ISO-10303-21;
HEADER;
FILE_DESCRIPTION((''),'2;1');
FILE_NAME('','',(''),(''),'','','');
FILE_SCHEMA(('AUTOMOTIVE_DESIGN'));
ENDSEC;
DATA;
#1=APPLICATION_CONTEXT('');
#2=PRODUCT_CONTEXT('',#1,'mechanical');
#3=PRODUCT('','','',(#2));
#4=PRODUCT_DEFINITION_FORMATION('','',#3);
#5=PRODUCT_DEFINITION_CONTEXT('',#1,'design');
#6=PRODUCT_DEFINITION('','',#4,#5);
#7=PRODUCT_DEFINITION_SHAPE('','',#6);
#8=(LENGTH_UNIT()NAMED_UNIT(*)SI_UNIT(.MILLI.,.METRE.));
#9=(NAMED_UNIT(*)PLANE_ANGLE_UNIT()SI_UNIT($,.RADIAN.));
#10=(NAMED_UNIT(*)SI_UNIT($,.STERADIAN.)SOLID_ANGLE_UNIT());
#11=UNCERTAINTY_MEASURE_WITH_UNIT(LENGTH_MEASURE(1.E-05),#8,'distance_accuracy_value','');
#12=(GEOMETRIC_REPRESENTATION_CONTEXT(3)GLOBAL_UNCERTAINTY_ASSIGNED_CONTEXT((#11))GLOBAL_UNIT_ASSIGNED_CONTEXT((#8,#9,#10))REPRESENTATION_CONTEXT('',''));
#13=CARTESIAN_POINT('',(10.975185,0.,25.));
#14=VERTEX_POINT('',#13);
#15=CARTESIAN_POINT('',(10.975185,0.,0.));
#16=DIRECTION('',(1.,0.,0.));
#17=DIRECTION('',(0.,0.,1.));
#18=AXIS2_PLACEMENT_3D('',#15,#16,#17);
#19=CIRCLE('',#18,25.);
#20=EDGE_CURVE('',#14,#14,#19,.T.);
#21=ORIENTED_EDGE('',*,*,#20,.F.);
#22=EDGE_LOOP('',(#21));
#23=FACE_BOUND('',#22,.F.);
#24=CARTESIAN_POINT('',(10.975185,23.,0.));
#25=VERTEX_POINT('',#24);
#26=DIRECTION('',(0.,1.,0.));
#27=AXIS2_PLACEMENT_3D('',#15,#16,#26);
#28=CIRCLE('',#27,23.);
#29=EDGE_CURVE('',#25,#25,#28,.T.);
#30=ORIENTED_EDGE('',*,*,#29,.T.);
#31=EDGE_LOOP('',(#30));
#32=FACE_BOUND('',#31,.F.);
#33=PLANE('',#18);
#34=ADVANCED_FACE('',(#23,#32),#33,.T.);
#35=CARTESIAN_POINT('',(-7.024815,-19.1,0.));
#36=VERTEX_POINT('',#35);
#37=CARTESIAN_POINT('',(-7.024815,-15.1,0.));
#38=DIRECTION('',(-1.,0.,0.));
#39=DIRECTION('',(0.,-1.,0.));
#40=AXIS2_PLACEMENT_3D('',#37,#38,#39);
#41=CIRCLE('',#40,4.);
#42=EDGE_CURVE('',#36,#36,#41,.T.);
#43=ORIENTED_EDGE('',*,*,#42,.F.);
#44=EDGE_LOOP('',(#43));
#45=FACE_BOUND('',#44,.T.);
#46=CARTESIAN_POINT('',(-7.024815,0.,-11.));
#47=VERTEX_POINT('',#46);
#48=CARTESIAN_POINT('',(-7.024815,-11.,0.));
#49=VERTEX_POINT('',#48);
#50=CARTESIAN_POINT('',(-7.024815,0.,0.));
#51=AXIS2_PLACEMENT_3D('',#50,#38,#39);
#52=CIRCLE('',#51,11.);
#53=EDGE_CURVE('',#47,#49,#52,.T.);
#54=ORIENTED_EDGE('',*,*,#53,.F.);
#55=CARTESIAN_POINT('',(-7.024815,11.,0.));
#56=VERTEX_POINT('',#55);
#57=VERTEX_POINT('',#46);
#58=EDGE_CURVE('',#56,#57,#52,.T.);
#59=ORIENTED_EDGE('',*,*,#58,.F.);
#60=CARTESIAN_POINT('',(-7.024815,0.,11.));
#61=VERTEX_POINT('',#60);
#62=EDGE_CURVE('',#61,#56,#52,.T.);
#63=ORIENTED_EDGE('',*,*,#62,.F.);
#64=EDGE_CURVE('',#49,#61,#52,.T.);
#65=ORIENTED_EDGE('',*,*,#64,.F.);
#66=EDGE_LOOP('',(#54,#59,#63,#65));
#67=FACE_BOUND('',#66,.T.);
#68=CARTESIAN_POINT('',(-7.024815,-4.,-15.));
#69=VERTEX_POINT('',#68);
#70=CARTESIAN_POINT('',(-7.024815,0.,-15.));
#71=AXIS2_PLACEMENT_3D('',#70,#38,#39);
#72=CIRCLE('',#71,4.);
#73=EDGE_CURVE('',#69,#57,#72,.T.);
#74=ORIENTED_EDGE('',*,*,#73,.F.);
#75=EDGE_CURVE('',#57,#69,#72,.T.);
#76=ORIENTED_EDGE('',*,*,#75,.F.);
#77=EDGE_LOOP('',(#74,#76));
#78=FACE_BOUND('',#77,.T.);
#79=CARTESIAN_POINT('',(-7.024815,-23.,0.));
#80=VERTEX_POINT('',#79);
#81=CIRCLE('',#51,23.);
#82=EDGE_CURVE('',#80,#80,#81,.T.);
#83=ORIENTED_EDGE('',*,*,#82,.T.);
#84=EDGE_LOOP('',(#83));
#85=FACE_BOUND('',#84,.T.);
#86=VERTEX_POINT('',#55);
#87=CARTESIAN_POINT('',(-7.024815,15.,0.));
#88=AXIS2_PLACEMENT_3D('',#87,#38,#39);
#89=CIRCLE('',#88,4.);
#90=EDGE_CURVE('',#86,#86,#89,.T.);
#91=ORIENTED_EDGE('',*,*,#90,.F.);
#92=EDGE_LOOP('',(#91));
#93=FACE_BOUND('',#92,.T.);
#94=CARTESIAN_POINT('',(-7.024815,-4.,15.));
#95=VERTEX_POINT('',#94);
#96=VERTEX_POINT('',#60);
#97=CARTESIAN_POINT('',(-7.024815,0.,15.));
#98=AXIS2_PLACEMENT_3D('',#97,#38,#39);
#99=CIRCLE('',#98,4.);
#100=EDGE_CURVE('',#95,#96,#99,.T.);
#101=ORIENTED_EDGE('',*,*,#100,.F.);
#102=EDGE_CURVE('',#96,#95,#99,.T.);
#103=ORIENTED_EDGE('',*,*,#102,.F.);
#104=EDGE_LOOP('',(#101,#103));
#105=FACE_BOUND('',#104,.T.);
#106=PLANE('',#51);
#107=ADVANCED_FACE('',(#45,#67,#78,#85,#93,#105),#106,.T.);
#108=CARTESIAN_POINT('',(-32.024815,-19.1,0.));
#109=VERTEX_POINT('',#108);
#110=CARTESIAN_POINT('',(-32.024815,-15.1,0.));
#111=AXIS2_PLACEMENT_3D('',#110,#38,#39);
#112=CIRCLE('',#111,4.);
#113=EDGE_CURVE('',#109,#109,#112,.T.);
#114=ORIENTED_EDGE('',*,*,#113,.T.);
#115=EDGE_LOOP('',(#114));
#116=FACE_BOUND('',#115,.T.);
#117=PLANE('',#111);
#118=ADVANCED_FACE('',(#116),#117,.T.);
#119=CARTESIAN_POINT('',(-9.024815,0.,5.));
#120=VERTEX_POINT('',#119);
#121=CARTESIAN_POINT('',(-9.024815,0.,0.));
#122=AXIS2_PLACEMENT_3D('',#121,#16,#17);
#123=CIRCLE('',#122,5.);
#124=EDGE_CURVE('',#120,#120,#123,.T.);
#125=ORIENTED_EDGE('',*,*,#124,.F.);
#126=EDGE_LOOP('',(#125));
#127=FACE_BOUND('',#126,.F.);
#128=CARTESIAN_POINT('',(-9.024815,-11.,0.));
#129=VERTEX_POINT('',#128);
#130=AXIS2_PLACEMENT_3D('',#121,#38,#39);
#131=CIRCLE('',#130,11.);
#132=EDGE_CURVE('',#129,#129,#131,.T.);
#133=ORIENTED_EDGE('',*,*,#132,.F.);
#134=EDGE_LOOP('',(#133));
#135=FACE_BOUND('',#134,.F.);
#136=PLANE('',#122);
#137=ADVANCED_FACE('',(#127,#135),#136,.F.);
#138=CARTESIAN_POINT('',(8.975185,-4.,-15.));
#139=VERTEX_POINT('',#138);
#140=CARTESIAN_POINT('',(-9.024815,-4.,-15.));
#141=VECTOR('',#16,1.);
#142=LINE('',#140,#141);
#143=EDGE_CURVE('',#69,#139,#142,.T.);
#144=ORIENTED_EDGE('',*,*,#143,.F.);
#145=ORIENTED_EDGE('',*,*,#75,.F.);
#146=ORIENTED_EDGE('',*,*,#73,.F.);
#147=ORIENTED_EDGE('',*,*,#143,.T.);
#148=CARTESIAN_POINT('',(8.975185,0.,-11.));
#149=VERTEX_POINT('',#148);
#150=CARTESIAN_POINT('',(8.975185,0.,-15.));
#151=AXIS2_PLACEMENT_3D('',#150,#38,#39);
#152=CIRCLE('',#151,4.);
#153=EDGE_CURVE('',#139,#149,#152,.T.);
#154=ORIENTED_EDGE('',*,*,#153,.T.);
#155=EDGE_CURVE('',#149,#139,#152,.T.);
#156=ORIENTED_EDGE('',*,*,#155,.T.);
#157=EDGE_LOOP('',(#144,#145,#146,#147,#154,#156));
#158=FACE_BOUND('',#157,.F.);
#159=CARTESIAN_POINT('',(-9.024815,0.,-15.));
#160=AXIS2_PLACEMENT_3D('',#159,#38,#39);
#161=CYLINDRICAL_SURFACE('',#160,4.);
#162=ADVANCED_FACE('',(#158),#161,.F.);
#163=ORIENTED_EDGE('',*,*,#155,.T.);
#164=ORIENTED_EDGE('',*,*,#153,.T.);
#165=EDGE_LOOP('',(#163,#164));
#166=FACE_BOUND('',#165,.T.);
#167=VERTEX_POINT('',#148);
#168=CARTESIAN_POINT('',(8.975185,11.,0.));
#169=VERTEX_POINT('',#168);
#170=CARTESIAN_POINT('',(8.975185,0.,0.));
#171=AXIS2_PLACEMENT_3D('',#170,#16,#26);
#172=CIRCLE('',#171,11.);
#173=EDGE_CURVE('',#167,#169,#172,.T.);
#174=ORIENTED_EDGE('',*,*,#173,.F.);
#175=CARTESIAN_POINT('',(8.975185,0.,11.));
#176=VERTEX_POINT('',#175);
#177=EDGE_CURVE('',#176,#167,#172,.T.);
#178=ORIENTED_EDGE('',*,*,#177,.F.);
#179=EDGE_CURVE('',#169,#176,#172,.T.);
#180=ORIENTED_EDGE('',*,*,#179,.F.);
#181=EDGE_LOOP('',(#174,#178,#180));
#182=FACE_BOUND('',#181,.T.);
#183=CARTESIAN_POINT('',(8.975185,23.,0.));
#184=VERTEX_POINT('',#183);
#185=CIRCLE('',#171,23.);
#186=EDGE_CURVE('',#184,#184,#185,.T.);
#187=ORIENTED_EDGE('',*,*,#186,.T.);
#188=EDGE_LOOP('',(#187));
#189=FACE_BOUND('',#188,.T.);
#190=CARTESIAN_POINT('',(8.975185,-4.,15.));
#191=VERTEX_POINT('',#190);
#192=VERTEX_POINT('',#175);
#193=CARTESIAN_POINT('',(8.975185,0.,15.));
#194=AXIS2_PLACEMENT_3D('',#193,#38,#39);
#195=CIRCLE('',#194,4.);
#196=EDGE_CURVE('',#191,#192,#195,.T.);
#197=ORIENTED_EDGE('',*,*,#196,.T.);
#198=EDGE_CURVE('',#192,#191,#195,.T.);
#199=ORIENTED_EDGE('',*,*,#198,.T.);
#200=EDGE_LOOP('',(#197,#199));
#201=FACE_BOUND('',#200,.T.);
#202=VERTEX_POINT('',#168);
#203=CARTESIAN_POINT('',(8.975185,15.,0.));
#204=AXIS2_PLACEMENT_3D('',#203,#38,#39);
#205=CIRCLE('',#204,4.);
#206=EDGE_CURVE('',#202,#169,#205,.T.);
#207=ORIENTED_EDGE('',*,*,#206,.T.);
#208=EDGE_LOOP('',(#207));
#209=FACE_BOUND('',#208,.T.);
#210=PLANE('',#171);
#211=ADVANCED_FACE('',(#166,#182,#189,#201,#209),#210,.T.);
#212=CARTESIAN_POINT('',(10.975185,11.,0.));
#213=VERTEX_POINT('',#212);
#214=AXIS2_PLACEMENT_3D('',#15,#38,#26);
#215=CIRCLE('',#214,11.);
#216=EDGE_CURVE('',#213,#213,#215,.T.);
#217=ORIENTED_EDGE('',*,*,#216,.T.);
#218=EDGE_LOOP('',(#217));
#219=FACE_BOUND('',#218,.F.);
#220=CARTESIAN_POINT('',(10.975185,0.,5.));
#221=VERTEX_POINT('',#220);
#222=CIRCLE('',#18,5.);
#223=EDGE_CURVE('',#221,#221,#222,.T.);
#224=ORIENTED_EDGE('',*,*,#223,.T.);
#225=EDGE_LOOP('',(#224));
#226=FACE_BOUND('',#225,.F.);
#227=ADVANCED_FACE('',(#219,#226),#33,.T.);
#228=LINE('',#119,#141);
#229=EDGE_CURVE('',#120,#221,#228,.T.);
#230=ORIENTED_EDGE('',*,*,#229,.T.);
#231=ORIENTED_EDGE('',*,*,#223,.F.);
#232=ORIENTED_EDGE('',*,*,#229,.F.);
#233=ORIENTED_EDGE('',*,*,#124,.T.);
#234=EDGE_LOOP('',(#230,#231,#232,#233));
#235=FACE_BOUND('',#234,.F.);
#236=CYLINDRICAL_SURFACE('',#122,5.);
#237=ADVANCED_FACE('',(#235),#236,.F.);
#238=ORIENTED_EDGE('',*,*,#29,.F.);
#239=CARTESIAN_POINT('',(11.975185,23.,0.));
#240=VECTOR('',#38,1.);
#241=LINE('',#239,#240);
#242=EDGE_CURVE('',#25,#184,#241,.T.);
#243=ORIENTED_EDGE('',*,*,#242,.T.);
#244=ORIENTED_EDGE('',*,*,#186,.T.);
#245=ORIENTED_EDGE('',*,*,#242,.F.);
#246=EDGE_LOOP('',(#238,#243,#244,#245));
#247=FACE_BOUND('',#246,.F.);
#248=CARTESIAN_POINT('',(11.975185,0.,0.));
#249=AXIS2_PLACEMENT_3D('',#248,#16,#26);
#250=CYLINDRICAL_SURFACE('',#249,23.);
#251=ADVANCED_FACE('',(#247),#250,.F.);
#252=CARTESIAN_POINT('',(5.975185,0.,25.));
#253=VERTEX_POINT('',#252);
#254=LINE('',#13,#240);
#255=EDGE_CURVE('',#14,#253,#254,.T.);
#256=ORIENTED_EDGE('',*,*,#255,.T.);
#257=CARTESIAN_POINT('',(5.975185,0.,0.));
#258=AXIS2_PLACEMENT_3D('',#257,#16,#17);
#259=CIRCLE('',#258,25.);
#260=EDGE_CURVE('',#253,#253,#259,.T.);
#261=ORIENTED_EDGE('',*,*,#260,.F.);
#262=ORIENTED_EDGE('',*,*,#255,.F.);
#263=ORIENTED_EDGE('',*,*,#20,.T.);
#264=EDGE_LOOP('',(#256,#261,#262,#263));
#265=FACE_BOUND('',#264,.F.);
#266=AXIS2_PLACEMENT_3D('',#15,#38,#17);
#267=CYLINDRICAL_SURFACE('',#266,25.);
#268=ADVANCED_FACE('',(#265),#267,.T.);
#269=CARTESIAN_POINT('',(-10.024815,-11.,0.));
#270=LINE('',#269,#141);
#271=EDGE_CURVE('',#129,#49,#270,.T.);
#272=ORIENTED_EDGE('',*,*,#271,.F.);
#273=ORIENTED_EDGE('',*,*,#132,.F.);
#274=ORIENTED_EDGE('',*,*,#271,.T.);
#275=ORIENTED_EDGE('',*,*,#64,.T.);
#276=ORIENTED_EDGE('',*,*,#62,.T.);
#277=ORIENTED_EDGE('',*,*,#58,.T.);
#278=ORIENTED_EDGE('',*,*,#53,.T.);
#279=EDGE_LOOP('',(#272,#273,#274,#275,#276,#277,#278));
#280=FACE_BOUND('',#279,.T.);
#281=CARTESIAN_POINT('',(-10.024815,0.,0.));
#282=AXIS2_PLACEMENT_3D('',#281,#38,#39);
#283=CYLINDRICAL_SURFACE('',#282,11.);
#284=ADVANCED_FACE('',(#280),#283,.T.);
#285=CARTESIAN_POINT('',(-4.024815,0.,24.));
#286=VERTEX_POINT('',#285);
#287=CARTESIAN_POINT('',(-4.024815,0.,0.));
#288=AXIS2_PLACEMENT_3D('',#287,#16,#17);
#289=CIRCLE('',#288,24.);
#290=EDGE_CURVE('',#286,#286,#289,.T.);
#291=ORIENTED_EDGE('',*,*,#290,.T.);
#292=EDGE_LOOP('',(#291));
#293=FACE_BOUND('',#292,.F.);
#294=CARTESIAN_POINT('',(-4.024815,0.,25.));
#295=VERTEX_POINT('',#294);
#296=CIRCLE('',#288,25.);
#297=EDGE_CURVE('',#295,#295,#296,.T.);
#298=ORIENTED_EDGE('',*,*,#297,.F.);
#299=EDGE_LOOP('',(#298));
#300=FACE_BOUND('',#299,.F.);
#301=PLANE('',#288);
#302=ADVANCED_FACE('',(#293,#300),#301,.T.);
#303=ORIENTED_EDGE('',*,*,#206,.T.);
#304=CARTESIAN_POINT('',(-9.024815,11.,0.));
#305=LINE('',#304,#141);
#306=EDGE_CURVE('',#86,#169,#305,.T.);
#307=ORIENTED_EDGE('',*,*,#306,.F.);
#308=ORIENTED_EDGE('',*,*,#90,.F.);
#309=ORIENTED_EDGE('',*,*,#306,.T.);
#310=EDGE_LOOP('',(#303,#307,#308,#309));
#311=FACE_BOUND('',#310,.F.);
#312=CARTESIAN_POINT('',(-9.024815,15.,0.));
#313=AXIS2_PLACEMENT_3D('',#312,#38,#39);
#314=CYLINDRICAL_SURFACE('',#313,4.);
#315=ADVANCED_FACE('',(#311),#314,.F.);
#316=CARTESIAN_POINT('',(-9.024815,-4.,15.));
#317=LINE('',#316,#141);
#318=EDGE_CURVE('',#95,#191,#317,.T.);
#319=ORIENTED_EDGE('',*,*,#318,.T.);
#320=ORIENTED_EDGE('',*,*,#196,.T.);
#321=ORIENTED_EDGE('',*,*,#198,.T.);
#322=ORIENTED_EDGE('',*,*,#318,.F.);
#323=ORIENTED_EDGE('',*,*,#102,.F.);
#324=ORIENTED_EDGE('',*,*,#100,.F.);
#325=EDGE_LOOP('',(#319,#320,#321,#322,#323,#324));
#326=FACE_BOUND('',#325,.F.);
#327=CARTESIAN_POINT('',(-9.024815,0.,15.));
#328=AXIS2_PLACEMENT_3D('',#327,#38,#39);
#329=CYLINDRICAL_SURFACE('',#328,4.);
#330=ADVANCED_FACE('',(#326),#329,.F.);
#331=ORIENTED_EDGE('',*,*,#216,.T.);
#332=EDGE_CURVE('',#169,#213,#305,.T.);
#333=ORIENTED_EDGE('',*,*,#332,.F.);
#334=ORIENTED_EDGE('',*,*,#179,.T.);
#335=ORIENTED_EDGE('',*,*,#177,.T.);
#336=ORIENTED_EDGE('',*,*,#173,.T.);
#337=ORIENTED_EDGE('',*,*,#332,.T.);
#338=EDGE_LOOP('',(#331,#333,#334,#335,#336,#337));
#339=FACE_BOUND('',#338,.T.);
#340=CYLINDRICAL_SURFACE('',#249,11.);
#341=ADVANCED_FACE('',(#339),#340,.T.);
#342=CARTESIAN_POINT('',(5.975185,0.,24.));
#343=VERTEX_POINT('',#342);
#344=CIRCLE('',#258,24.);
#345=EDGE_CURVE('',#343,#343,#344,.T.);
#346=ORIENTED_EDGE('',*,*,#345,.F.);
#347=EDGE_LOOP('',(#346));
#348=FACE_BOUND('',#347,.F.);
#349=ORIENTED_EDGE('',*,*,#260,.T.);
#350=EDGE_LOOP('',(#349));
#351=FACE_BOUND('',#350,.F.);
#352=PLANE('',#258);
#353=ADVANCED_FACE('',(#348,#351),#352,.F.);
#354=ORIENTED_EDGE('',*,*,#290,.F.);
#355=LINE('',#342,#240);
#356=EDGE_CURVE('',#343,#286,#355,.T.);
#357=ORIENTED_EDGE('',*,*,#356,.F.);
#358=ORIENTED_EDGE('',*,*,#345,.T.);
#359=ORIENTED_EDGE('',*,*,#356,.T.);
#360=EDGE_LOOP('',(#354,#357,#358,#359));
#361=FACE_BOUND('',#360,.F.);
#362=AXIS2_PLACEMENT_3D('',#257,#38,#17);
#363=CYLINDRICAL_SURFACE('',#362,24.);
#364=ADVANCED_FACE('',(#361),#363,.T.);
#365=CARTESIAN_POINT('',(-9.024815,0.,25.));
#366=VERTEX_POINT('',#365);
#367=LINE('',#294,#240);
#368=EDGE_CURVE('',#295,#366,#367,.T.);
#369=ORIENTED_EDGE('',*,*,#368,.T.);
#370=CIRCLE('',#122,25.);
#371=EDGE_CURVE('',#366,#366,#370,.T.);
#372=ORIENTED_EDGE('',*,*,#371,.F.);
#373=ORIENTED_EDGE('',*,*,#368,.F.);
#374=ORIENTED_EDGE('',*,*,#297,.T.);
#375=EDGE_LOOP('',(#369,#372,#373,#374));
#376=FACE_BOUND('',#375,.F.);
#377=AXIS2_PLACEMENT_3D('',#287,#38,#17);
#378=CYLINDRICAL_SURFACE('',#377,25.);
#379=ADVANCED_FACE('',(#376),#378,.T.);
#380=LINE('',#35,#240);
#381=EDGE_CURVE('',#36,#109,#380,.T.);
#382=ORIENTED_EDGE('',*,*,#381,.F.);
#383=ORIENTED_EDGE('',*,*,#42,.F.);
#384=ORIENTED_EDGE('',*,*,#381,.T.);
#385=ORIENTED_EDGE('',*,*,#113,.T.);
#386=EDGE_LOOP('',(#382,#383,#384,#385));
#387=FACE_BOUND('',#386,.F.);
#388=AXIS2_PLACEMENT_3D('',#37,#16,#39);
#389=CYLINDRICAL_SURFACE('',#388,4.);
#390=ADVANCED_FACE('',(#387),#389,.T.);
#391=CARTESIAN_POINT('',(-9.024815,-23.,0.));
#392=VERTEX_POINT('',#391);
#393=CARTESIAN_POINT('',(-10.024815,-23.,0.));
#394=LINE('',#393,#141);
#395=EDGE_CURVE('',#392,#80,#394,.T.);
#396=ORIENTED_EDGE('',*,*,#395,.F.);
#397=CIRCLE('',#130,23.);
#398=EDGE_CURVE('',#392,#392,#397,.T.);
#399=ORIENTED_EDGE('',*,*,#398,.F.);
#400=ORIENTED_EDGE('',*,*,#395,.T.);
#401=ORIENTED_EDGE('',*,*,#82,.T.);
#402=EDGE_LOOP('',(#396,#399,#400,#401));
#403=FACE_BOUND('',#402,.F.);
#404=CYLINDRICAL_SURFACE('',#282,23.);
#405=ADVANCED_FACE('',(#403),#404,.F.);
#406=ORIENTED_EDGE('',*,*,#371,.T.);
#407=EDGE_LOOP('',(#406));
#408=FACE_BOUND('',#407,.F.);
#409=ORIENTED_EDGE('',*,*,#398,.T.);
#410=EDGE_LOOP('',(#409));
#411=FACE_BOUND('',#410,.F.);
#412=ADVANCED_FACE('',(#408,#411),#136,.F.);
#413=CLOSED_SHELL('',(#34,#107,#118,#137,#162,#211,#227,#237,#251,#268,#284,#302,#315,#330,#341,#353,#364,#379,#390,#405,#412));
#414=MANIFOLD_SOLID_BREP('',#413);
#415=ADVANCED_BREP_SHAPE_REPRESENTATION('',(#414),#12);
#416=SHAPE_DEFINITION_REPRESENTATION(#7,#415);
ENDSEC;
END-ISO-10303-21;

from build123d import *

# Parameters (mm, degrees)
F2_R      = 4
F3_DEPTH  = 20.001
F5_R      = 23
F5_R_2    = 11
F6_DEPTH  = 3
F8_R      = 23
F8_R_2    = 11
F9_DEPTH  = 3
F10_R     = 4
F11_DEPTH = 25


with BuildPart() as f1:
    # F0 (on Front) → F1 (revolve)
    with BuildSketch(Plane.XZ):
        Polygon((10.9751848876, 5), (10.9751848876, 25), (5.9751848876, 25), (5.9751848876, 24), (-4.0248151124, 24), (-4.0248151124, 25), (-9.0248151124, 25), (-9.0248151124, 5), align=None)
    revolve(axis=Axis((1.0365527123, 0, 0), (1, 0, 0)))

    # F2 (on face) → F3 (cut, through all)
    with BuildSketch(Plane(origin=(-9.0248151124, 0, 0), x_dir=(0, -1, 0), z_dir=(-1, 0, 0))):
        with Locations((0, 15)):
            Circle(F2_R)
        with Locations((-15, 0)):
            Circle(F2_R)
        with Locations((0, -15)):
            Circle(F2_R)
    extrude(amount=-F3_DEPTH, mode=Mode.SUBTRACT)

    # F5 (on offset) → F6 (cut)
    with BuildSketch(Plane(origin=(-10.0248151124, 0, 0), x_dir=(0, -1, 0), z_dir=(-1, 0, 0))):
        Circle(F5_R)
        Circle(F5_R_2, mode=Mode.SUBTRACT)
    extrude(amount=-F6_DEPTH, mode=Mode.SUBTRACT)

    # F8 (on offset) → F9 (cut)
    with BuildSketch(Plane.YZ.offset(11.9751848876)):
        Circle(F8_R)
        Circle(F8_R_2, mode=Mode.SUBTRACT)
    extrude(amount=-F9_DEPTH, mode=Mode.SUBTRACT)

    # F10 (on face) → F11 (join)
    with BuildSketch(Plane(origin=(-7.0248151124, 0, 0), x_dir=(0, -1, 0), z_dir=(-1, 0, 0))):
        with Locations((15.1, 0)):
            Circle(F10_R)
    extrude(amount=F11_DEPTH)


solid = f1.part
